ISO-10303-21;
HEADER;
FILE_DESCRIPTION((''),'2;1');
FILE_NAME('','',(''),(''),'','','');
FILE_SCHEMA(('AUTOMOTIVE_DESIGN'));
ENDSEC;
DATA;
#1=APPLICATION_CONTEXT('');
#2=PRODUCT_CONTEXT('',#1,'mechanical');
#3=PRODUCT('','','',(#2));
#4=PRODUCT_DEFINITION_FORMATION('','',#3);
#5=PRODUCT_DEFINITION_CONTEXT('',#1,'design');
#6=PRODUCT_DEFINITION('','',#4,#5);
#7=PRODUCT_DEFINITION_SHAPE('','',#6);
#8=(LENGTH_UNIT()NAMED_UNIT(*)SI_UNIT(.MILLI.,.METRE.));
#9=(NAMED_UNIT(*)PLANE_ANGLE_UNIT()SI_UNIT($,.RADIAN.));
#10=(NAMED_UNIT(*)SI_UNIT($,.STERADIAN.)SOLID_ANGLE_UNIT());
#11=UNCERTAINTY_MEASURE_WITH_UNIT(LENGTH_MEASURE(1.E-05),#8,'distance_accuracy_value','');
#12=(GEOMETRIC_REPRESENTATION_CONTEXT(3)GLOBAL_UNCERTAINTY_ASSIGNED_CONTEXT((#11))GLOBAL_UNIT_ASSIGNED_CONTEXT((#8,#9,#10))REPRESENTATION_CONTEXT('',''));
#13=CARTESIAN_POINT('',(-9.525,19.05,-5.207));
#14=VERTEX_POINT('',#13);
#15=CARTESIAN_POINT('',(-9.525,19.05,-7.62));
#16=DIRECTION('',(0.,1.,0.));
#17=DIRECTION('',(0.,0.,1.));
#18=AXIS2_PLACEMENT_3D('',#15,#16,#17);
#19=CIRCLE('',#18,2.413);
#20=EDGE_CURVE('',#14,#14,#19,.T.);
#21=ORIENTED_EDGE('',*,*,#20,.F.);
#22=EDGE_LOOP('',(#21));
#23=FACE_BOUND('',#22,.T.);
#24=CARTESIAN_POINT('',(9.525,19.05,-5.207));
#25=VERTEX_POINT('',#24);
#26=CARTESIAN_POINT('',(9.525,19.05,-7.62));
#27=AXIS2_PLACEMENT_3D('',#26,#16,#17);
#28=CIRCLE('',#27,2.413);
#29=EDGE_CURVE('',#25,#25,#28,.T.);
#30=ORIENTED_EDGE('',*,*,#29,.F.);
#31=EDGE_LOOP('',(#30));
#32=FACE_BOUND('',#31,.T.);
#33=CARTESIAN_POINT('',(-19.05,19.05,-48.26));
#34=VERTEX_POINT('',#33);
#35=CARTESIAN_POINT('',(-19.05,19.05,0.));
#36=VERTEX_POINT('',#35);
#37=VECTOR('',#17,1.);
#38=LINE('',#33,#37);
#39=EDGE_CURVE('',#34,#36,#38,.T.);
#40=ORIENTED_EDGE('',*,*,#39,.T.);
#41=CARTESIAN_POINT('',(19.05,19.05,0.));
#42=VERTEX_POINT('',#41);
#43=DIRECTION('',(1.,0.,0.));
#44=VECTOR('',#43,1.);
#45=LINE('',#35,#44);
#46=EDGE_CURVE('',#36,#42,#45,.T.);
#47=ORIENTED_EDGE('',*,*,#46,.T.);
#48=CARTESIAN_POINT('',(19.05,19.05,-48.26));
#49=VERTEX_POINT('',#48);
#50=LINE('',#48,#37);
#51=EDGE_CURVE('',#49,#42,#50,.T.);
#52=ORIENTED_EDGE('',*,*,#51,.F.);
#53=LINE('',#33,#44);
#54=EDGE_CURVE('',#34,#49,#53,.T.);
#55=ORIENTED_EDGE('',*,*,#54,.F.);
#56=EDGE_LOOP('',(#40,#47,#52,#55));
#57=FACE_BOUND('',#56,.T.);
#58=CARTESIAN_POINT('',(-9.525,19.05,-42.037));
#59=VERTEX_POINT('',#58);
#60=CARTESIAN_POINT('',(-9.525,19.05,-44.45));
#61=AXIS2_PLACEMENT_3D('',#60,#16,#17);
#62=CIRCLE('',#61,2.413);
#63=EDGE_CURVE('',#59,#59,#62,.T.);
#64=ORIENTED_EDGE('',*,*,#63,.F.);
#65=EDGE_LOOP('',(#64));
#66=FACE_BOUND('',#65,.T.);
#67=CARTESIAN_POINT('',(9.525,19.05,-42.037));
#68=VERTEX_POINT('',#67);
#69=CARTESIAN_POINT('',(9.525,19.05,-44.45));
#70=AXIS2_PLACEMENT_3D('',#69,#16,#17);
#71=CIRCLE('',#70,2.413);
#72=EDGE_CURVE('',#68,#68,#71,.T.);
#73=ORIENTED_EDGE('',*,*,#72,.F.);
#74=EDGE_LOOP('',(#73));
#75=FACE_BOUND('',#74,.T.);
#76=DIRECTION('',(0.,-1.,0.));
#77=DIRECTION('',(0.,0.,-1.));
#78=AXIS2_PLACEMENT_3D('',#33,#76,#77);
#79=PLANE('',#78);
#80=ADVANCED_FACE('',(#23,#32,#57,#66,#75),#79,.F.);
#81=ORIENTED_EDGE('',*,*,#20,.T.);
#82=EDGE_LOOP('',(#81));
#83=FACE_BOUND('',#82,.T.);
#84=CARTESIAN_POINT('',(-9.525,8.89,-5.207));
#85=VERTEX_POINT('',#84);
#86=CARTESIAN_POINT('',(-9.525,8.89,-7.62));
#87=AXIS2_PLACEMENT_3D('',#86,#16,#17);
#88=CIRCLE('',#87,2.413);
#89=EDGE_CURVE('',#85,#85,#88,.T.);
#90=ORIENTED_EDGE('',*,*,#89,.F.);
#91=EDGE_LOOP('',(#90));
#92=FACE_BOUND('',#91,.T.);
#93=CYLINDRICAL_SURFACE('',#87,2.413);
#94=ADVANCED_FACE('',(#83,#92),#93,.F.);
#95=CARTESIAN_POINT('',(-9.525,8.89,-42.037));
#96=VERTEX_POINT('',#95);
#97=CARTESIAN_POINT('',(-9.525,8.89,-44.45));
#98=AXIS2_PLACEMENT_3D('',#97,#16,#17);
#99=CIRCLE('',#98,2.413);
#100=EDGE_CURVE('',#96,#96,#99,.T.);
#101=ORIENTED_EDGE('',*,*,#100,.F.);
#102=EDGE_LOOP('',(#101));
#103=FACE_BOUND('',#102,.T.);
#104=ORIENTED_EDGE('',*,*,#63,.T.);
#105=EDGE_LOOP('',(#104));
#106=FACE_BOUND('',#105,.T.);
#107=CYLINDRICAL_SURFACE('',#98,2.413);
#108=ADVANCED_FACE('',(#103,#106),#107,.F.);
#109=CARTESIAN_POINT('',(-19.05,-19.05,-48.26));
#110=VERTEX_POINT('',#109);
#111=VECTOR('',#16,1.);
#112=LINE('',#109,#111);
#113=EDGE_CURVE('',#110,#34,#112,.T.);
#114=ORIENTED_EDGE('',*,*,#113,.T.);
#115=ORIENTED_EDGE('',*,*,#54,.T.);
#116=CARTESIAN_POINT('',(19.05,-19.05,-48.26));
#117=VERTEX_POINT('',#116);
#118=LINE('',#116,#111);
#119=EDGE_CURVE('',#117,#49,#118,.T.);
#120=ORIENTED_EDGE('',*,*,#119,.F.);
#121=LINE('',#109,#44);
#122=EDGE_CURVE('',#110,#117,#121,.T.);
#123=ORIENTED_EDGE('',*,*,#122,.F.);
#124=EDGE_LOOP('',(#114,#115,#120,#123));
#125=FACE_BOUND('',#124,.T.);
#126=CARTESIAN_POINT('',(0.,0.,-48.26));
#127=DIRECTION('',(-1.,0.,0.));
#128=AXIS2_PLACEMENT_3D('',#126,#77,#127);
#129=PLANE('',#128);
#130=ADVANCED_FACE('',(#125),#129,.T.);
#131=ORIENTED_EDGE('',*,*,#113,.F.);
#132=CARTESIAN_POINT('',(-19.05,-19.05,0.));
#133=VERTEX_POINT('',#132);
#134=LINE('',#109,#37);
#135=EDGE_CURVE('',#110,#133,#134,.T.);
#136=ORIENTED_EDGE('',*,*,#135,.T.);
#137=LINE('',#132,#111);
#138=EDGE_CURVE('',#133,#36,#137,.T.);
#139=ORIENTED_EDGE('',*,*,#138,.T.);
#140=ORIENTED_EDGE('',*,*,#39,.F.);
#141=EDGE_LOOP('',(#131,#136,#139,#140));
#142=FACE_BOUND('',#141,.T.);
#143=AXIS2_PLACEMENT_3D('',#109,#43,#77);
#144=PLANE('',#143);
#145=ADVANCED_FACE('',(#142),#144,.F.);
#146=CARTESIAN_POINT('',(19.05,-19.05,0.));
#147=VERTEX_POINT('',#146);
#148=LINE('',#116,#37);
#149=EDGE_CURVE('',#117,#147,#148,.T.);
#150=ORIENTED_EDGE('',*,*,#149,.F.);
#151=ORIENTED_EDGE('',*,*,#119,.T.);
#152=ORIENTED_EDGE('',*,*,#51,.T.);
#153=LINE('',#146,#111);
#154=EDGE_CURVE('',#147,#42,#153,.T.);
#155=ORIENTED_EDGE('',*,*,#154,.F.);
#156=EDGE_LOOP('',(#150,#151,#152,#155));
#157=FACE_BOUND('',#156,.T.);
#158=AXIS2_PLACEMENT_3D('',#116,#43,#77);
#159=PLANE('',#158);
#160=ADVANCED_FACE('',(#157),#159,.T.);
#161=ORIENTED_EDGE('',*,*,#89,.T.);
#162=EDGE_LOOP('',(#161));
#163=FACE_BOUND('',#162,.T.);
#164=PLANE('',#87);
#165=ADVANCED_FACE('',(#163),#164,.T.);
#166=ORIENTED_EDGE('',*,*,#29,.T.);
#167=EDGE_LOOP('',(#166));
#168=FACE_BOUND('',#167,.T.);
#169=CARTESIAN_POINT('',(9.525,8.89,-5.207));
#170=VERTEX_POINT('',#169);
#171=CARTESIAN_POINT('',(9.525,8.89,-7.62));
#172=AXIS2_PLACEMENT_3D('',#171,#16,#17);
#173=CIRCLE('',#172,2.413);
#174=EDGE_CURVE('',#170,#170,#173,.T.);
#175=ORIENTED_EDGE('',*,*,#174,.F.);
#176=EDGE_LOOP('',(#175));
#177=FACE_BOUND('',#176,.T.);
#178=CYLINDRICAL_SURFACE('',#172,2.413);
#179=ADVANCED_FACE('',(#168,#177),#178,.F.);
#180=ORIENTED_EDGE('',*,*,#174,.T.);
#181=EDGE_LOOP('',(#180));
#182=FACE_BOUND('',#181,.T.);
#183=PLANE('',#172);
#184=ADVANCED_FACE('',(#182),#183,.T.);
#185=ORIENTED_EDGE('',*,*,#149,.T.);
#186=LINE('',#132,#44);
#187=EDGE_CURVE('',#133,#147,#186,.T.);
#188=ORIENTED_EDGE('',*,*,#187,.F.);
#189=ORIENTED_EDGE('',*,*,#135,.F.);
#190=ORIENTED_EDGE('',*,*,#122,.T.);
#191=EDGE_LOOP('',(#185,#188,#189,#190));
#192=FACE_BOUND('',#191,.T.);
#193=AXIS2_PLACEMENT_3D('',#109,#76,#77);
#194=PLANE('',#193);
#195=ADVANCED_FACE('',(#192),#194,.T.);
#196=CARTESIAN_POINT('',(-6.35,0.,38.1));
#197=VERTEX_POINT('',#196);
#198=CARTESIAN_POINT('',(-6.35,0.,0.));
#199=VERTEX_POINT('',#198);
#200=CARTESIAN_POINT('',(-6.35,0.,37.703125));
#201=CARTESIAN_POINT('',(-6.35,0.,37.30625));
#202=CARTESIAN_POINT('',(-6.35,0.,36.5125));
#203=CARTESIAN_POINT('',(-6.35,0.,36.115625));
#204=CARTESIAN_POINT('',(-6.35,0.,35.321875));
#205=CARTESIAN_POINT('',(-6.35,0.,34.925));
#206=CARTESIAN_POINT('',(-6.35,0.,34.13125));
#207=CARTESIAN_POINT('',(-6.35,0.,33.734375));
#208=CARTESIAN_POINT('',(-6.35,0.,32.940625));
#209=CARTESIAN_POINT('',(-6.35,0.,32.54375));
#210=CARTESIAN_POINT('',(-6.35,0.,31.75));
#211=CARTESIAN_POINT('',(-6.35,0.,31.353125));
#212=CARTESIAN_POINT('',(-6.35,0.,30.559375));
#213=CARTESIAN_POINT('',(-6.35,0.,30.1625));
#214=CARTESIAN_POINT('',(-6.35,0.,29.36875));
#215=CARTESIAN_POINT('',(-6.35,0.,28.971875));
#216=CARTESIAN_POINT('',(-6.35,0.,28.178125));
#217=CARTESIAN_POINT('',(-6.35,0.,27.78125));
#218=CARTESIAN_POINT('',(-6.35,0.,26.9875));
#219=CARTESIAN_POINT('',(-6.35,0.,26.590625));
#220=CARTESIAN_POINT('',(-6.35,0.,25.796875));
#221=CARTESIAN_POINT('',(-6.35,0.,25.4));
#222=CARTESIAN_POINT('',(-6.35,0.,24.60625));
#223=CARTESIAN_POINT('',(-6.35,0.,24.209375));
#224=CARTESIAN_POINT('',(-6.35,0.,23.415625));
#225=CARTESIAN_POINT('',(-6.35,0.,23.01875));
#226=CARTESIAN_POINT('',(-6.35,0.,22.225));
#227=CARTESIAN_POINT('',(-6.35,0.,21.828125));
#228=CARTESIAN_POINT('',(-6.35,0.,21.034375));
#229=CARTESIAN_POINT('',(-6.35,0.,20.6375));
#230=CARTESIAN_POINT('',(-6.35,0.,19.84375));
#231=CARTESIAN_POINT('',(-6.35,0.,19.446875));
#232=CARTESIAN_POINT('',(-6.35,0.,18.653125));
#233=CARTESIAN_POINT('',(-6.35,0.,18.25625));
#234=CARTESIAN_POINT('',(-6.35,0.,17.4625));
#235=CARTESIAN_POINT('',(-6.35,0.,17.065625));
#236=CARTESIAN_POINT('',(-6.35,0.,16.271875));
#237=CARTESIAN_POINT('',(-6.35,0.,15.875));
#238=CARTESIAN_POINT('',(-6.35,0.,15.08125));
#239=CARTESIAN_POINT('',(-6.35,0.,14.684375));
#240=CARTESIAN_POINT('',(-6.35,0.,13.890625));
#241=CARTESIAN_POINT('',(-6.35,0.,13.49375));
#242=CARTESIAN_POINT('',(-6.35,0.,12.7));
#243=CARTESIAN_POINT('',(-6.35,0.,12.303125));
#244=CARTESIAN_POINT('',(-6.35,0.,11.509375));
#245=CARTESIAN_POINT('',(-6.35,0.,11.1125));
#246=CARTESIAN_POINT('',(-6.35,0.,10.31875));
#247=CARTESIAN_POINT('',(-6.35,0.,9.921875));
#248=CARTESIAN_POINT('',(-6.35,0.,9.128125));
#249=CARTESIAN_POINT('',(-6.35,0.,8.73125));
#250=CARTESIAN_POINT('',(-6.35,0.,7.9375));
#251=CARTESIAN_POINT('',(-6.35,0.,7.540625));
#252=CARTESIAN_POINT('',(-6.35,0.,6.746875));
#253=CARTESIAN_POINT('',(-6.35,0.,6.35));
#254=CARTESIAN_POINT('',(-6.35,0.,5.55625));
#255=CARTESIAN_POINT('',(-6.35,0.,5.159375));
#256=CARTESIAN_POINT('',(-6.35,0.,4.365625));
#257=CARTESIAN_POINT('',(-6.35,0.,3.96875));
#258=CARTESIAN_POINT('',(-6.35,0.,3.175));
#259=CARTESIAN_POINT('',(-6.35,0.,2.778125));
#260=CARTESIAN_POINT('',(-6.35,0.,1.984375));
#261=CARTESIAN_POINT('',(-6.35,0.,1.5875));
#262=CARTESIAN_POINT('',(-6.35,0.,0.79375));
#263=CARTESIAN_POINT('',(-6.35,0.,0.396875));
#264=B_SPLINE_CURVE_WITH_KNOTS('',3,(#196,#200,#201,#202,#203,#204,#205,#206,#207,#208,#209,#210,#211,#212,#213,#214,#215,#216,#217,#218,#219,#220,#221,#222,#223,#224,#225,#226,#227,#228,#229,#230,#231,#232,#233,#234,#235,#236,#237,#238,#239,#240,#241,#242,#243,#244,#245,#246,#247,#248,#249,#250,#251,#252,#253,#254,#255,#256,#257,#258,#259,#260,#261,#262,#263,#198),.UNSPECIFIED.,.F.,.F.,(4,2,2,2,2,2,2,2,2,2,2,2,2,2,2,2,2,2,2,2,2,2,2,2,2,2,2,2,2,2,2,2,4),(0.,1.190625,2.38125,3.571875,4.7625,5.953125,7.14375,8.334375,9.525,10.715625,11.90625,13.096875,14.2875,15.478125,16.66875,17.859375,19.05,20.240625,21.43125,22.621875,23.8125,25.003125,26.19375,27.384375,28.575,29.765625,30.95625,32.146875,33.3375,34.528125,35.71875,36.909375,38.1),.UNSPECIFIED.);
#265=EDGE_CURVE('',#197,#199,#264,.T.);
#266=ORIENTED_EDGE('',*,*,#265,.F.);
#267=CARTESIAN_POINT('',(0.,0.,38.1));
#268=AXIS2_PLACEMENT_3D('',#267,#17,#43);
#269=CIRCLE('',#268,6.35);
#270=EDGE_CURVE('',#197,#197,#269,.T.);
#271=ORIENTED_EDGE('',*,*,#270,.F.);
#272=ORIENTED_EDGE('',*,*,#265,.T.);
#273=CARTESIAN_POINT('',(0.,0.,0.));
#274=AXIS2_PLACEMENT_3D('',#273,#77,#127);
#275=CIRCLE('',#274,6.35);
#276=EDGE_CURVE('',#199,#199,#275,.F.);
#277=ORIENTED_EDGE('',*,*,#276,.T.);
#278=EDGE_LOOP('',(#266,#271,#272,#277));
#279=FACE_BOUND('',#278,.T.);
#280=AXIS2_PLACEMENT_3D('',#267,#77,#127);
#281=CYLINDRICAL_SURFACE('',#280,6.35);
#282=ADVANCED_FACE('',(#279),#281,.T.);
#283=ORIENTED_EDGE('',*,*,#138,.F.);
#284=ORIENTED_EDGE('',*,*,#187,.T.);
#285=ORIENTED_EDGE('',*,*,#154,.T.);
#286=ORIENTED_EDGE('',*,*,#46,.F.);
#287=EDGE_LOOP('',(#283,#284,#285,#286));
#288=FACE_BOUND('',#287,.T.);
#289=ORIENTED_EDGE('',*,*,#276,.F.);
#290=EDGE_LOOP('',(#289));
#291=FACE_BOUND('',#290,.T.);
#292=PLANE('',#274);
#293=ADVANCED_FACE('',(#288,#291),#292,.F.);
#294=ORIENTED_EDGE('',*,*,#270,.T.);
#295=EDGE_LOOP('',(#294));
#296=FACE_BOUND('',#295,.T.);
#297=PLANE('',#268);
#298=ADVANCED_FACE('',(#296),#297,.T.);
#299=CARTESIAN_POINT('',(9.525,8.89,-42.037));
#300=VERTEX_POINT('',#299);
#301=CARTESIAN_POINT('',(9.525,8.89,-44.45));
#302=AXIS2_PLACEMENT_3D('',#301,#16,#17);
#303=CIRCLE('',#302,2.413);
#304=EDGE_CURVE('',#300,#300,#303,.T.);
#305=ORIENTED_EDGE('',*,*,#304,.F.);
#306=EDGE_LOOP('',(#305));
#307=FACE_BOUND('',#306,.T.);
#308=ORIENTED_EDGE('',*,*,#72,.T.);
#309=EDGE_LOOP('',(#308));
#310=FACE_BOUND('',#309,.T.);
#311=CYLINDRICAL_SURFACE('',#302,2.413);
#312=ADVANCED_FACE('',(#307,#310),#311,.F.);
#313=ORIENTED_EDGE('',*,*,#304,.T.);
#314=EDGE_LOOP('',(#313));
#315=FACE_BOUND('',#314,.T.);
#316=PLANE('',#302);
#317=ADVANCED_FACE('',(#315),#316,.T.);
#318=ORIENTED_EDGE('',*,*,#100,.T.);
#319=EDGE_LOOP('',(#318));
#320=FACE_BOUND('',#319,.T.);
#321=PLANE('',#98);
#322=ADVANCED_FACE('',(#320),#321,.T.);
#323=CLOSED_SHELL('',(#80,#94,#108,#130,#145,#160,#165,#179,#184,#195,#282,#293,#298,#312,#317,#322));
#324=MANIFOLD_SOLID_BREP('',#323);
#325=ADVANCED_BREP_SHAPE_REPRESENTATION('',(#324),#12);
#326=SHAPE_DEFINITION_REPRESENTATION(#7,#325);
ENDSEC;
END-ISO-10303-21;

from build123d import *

# Parameters (mm, degrees)
SKETCH3_W           = 38.1
SKETCH3_H           = 38.1
BOSS_EXTRUDE1_DEPTH = 48.26
SKETCH4_R           = 6.35
BOSS_EXTRUDE2_DEPTH = 38.1
SKETCH5_R           = 2.413
CUT_EXTRUDE1_DEPTH  = 10.16


with BuildPart() as part:
    # Sketch3 → Boss-Extrude1 (new body)
    with BuildSketch(Plane.XY):
        Rectangle(SKETCH3_W, SKETCH3_H)
    extrude(amount=-BOSS_EXTRUDE1_DEPTH)

    # Sketch4 → Boss-Extrude2 (add)
    with BuildSketch(Plane.XY):
        with Locations(Location((0, 0, 0), (0, 0, 180))):
            Circle(SKETCH4_R)
    extrude(amount=BOSS_EXTRUDE2_DEPTH)

    # Sketch5 → Cut-Extrude1 (cut)
    with BuildSketch(Plane(origin=(0, 19.05, 0), x_dir=(1, 0, 0), z_dir=(0, 1, 0))):
        with Locations(Location((-9.525, 44.45, 0), (0, 0, 270))):
            Circle(SKETCH5_R)
        with Locations(Location((9.525, 44.45, 0), (0, 0, 270))):
            Circle(SKETCH5_R)
        with Locations(Location((9.525, 7.62, 0), (0, 0, 270))):
            Circle(SKETCH5_R)
        with Locations(Location((-9.525, 7.62, 0), (0, 0, 270))):
            Circle(SKETCH5_R)
    extrude(amount=-CUT_EXTRUDE1_DEPTH, mode=Mode.SUBTRACT)


solid = part.part
